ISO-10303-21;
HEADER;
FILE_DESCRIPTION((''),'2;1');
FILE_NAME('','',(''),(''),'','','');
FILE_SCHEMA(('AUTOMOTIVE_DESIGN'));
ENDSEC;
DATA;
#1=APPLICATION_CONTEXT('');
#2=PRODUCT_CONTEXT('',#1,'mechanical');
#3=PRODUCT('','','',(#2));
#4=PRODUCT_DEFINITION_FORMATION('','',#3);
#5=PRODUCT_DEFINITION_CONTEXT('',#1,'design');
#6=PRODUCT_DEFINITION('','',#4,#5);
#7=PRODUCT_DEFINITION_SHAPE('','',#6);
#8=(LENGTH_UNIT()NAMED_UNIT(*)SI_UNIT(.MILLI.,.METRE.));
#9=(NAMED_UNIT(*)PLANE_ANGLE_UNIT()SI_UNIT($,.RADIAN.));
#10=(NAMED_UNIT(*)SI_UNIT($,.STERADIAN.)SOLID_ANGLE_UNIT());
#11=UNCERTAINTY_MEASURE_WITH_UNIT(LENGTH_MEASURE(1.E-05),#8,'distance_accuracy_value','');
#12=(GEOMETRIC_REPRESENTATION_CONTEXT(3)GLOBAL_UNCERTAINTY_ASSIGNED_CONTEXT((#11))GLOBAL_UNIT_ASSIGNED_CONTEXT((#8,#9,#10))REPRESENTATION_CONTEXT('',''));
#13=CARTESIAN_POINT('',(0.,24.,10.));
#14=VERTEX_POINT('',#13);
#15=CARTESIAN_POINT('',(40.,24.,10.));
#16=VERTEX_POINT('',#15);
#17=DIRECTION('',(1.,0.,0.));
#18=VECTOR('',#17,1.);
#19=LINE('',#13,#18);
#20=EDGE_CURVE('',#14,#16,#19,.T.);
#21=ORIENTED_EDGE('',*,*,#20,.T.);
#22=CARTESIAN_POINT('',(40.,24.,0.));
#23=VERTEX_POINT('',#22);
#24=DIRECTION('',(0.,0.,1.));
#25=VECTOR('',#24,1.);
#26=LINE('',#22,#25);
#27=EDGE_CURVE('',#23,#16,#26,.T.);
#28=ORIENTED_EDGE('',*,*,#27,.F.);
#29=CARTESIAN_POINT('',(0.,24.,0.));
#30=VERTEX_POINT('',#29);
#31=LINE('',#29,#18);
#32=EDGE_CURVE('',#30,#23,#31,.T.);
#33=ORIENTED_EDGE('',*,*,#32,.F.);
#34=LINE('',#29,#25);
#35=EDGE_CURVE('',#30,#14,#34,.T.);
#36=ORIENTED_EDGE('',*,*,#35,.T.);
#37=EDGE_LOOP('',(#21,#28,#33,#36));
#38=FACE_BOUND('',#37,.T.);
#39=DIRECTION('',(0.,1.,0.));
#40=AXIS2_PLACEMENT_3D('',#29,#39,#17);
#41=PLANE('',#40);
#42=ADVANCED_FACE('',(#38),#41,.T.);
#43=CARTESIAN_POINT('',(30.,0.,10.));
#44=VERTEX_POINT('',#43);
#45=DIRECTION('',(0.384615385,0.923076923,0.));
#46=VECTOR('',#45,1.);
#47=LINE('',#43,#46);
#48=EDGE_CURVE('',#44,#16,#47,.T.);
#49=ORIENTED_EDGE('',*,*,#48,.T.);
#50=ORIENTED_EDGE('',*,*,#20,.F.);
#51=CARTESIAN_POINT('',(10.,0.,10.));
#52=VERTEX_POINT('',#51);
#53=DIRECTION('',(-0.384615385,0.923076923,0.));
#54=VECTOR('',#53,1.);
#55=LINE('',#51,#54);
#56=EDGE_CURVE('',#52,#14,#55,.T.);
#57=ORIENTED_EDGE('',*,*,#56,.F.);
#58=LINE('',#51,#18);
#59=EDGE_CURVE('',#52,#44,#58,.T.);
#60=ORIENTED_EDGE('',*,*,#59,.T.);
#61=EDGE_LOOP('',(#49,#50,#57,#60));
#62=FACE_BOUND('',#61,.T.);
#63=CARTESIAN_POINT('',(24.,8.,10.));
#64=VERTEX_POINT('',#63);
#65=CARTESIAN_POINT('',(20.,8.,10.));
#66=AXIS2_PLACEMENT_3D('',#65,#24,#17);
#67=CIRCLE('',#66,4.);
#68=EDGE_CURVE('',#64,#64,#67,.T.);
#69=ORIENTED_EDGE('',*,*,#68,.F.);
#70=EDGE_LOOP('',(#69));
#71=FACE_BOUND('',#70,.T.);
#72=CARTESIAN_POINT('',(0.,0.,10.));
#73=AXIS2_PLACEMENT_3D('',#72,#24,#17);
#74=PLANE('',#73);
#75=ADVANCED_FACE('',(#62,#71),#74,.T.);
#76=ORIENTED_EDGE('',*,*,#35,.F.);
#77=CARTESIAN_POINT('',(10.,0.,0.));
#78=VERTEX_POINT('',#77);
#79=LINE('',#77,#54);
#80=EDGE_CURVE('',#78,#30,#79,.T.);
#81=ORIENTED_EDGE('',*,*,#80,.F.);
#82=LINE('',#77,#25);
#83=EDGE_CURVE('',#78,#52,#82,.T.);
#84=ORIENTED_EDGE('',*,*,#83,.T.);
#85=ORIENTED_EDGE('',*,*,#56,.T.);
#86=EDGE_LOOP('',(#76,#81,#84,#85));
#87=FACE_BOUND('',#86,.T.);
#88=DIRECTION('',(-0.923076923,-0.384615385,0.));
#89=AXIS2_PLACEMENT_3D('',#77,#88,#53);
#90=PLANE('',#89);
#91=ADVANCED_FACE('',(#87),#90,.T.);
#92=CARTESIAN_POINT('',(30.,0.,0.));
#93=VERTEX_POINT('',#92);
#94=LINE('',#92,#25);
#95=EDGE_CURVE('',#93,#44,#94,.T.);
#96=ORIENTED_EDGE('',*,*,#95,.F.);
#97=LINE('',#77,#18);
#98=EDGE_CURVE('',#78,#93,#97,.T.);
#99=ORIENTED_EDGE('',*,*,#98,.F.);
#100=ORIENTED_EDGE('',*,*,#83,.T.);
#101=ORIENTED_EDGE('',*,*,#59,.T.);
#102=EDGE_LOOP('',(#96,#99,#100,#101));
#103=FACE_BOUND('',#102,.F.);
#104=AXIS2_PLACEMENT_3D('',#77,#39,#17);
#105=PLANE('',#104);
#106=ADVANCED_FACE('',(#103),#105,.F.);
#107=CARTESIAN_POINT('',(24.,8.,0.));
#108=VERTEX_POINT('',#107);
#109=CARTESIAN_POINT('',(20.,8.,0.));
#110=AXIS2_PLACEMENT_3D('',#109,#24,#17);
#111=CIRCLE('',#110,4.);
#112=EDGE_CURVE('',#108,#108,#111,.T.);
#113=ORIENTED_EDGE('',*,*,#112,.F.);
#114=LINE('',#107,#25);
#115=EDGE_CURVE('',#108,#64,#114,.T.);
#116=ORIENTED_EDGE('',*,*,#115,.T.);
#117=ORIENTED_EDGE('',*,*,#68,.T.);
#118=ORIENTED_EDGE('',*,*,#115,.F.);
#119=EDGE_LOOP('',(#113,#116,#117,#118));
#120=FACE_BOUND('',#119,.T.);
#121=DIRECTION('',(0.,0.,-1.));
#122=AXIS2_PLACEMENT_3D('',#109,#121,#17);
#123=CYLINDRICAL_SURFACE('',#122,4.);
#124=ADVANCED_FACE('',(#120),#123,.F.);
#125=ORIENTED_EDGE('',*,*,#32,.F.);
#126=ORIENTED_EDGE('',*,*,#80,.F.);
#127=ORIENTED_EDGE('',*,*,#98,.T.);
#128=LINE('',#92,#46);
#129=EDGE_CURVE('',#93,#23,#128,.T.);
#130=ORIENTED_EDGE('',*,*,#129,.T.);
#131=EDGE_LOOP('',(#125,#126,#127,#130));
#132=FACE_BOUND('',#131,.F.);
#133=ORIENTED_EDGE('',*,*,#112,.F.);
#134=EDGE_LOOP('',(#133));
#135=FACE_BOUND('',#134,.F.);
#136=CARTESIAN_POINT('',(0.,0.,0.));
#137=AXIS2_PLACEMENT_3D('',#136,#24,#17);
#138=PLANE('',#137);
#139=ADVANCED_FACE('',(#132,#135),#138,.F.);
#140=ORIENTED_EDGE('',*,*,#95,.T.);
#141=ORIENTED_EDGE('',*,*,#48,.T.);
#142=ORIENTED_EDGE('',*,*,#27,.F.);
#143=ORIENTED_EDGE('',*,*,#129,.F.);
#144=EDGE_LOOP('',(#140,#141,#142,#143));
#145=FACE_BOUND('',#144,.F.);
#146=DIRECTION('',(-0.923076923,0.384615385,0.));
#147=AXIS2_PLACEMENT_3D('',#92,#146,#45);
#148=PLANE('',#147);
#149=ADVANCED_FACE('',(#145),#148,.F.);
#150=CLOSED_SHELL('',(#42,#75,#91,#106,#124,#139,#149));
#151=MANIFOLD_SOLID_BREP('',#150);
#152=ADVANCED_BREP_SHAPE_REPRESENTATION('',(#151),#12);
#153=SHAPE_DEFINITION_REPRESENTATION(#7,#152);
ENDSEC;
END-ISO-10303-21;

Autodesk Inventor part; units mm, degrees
ref_plane "YZ Plane" through (0, 0, 0) normal (1, 0, 0) x (0, 1, 0)
ref_plane "XZ Plane" through (0, 0, 0) normal (0, 1, 0) x (-1, 0, 0)
ref_plane "XY Plane" through (0, 0, 0) normal (0, 0, 1) x (1, 0, 0)
sketch "Эскиз1" plane through (0, 0, 0) normal (0, 0, 1) x (1, 0, 0)
  line L0 (10, 0) -> (30, 0)
  line L1 (30, 0) -> (40, 24)
  line L2 (10, 0) -> (0, 24)
  circle A0 centre (20, 8) radius 4
  line L3 (0, 24) -> (40, 24)
  point P0 (0, 0)
  dimension "d0" = 24
  dimension "d1" = 40
  dimension "d3" = 20
  dimension "d6" = 8
extrude "Выдавливание1" add sketch "Эскиз1" along normal blind 10
properties part number "N2"
